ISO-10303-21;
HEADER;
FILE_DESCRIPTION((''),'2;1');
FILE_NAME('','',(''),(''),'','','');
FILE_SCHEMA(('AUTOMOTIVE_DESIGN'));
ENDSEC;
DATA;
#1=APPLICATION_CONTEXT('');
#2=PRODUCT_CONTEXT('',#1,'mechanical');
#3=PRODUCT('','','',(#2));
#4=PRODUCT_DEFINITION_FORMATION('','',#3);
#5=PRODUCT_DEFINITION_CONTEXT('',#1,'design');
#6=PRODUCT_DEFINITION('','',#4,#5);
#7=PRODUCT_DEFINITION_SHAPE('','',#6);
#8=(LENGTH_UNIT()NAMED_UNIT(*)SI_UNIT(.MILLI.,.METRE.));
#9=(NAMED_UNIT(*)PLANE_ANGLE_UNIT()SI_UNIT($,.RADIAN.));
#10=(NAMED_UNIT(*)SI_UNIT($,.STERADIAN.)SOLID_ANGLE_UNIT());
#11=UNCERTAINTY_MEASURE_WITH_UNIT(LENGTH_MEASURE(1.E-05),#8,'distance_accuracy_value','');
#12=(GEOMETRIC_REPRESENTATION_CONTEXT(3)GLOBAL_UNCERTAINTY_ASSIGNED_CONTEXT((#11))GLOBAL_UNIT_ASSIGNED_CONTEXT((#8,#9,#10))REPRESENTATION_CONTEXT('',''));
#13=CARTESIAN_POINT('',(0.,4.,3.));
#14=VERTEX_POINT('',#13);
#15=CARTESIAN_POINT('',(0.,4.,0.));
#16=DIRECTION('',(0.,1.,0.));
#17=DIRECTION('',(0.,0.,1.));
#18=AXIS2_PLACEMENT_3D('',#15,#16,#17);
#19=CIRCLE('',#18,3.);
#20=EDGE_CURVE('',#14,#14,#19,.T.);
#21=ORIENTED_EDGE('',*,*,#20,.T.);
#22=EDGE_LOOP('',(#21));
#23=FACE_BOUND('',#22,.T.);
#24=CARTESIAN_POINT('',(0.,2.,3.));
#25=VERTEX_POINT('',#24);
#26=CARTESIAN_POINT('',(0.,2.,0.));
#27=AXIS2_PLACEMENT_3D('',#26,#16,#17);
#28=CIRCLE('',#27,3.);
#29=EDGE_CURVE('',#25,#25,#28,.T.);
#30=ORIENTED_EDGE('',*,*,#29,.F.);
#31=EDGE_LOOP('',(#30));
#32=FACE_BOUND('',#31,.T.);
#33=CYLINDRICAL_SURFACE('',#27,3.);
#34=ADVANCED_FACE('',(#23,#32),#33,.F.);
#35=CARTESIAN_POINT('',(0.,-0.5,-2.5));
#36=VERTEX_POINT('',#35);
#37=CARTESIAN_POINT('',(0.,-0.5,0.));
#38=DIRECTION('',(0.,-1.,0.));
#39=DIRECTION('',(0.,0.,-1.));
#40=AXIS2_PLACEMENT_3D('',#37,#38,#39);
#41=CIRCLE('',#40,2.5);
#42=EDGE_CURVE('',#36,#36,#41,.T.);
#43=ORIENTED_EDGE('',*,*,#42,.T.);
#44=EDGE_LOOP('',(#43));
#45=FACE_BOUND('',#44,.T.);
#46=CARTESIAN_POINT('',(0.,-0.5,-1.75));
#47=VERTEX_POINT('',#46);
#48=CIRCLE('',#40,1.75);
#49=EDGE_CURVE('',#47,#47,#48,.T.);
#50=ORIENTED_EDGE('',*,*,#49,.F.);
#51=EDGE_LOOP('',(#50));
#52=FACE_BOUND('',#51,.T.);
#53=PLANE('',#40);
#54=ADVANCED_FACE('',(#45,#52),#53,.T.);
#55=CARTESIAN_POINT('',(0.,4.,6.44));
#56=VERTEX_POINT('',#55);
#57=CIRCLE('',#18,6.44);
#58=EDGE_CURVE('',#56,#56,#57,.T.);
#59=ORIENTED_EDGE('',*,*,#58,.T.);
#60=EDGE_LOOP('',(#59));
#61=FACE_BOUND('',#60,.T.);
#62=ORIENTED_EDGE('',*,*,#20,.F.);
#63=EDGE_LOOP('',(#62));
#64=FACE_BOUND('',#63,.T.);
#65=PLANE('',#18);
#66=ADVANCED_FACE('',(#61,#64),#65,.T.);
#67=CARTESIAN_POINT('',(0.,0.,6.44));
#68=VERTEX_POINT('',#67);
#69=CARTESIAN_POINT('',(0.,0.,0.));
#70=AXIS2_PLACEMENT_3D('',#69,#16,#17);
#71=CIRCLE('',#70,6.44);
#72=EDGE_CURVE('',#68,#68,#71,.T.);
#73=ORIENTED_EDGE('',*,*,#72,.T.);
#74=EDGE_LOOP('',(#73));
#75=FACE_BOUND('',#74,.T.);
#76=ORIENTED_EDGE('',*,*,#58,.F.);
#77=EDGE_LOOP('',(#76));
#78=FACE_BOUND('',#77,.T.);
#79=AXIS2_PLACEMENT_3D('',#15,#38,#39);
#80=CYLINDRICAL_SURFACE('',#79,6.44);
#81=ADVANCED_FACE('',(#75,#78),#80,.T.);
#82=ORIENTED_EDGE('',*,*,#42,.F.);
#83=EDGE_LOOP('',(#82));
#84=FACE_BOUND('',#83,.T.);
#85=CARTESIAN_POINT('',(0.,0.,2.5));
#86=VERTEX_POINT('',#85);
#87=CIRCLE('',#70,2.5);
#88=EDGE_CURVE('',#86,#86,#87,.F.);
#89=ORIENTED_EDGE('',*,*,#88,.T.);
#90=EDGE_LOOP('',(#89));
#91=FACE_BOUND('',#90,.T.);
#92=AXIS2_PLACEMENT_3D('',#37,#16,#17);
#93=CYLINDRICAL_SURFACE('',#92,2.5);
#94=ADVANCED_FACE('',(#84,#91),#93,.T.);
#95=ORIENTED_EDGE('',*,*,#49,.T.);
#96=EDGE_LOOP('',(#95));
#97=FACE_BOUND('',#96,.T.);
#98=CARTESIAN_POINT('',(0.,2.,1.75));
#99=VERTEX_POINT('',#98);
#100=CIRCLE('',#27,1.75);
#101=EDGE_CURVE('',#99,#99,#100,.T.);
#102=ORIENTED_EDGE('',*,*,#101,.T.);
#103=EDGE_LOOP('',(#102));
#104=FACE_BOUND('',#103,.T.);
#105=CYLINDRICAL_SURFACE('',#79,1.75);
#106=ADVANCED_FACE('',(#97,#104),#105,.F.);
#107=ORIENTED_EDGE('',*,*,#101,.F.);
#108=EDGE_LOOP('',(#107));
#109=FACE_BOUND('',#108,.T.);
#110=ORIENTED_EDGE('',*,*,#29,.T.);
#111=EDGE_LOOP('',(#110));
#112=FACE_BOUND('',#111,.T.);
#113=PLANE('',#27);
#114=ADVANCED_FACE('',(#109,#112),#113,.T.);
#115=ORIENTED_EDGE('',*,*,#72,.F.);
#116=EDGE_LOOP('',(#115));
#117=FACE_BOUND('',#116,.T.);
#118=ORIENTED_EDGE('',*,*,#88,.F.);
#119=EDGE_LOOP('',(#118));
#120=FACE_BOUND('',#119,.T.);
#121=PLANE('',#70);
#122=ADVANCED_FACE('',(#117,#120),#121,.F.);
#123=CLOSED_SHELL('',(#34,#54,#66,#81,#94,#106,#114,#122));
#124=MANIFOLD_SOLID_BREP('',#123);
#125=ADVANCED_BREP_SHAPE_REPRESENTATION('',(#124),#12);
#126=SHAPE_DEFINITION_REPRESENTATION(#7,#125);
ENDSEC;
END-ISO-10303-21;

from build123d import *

# Parameters (mm, degrees)
SKETCH1_R           = 6.44
SKETCH1_R_2         = 1.75
BOSS_EXTRUDE1_DEPTH = 4
SKETCH2_R           = 3
CUT_EXTRUDE1_DEPTH  = 2
BOSS_EXTRUDE2_START = 0.5
SKETCH3_R           = 2.5
SKETCH3_R_2         = 1.75
BOSS_EXTRUDE2_DEPTH = 0.5


with BuildPart() as part:
    # Sketch1 → Boss-Extrude1 (new body)
    with BuildSketch(Plane(origin=(0, 0, 0), x_dir=(1, 0, 0), z_dir=(0, 1, 0))):
        with Locations(Location((0, 0, 0), (0, 0, 270))):
            Circle(SKETCH1_R)
        with Locations(Location((0, 0, 0), (0, 0, 270))):
            Circle(SKETCH1_R_2, mode=Mode.SUBTRACT)
    extrude(amount=BOSS_EXTRUDE1_DEPTH)

    # Sketch2 → Cut-Extrude1 (cut)
    with BuildSketch(Plane(origin=(0, 4, 0), x_dir=(1, 0, 0), z_dir=(0, 1, 0))):
        with Locations(Location((0, 0, 0), (0, 0, 270))):
            Circle(SKETCH2_R)
    extrude(amount=-CUT_EXTRUDE1_DEPTH, mode=Mode.SUBTRACT)

    # Sketch3 → Boss-Extrude2 (add)
    with BuildSketch(Plane.XZ.offset(BOSS_EXTRUDE2_START)):
        with Locations(Location((0, 0, 0), (0, 0, 90))):
            Circle(SKETCH3_R)
        with Locations(Location((0, 0, 0), (0, 0, 270))):
            Circle(SKETCH3_R_2, mode=Mode.SUBTRACT)
    extrude(amount=-BOSS_EXTRUDE2_DEPTH)


solid = part.part
